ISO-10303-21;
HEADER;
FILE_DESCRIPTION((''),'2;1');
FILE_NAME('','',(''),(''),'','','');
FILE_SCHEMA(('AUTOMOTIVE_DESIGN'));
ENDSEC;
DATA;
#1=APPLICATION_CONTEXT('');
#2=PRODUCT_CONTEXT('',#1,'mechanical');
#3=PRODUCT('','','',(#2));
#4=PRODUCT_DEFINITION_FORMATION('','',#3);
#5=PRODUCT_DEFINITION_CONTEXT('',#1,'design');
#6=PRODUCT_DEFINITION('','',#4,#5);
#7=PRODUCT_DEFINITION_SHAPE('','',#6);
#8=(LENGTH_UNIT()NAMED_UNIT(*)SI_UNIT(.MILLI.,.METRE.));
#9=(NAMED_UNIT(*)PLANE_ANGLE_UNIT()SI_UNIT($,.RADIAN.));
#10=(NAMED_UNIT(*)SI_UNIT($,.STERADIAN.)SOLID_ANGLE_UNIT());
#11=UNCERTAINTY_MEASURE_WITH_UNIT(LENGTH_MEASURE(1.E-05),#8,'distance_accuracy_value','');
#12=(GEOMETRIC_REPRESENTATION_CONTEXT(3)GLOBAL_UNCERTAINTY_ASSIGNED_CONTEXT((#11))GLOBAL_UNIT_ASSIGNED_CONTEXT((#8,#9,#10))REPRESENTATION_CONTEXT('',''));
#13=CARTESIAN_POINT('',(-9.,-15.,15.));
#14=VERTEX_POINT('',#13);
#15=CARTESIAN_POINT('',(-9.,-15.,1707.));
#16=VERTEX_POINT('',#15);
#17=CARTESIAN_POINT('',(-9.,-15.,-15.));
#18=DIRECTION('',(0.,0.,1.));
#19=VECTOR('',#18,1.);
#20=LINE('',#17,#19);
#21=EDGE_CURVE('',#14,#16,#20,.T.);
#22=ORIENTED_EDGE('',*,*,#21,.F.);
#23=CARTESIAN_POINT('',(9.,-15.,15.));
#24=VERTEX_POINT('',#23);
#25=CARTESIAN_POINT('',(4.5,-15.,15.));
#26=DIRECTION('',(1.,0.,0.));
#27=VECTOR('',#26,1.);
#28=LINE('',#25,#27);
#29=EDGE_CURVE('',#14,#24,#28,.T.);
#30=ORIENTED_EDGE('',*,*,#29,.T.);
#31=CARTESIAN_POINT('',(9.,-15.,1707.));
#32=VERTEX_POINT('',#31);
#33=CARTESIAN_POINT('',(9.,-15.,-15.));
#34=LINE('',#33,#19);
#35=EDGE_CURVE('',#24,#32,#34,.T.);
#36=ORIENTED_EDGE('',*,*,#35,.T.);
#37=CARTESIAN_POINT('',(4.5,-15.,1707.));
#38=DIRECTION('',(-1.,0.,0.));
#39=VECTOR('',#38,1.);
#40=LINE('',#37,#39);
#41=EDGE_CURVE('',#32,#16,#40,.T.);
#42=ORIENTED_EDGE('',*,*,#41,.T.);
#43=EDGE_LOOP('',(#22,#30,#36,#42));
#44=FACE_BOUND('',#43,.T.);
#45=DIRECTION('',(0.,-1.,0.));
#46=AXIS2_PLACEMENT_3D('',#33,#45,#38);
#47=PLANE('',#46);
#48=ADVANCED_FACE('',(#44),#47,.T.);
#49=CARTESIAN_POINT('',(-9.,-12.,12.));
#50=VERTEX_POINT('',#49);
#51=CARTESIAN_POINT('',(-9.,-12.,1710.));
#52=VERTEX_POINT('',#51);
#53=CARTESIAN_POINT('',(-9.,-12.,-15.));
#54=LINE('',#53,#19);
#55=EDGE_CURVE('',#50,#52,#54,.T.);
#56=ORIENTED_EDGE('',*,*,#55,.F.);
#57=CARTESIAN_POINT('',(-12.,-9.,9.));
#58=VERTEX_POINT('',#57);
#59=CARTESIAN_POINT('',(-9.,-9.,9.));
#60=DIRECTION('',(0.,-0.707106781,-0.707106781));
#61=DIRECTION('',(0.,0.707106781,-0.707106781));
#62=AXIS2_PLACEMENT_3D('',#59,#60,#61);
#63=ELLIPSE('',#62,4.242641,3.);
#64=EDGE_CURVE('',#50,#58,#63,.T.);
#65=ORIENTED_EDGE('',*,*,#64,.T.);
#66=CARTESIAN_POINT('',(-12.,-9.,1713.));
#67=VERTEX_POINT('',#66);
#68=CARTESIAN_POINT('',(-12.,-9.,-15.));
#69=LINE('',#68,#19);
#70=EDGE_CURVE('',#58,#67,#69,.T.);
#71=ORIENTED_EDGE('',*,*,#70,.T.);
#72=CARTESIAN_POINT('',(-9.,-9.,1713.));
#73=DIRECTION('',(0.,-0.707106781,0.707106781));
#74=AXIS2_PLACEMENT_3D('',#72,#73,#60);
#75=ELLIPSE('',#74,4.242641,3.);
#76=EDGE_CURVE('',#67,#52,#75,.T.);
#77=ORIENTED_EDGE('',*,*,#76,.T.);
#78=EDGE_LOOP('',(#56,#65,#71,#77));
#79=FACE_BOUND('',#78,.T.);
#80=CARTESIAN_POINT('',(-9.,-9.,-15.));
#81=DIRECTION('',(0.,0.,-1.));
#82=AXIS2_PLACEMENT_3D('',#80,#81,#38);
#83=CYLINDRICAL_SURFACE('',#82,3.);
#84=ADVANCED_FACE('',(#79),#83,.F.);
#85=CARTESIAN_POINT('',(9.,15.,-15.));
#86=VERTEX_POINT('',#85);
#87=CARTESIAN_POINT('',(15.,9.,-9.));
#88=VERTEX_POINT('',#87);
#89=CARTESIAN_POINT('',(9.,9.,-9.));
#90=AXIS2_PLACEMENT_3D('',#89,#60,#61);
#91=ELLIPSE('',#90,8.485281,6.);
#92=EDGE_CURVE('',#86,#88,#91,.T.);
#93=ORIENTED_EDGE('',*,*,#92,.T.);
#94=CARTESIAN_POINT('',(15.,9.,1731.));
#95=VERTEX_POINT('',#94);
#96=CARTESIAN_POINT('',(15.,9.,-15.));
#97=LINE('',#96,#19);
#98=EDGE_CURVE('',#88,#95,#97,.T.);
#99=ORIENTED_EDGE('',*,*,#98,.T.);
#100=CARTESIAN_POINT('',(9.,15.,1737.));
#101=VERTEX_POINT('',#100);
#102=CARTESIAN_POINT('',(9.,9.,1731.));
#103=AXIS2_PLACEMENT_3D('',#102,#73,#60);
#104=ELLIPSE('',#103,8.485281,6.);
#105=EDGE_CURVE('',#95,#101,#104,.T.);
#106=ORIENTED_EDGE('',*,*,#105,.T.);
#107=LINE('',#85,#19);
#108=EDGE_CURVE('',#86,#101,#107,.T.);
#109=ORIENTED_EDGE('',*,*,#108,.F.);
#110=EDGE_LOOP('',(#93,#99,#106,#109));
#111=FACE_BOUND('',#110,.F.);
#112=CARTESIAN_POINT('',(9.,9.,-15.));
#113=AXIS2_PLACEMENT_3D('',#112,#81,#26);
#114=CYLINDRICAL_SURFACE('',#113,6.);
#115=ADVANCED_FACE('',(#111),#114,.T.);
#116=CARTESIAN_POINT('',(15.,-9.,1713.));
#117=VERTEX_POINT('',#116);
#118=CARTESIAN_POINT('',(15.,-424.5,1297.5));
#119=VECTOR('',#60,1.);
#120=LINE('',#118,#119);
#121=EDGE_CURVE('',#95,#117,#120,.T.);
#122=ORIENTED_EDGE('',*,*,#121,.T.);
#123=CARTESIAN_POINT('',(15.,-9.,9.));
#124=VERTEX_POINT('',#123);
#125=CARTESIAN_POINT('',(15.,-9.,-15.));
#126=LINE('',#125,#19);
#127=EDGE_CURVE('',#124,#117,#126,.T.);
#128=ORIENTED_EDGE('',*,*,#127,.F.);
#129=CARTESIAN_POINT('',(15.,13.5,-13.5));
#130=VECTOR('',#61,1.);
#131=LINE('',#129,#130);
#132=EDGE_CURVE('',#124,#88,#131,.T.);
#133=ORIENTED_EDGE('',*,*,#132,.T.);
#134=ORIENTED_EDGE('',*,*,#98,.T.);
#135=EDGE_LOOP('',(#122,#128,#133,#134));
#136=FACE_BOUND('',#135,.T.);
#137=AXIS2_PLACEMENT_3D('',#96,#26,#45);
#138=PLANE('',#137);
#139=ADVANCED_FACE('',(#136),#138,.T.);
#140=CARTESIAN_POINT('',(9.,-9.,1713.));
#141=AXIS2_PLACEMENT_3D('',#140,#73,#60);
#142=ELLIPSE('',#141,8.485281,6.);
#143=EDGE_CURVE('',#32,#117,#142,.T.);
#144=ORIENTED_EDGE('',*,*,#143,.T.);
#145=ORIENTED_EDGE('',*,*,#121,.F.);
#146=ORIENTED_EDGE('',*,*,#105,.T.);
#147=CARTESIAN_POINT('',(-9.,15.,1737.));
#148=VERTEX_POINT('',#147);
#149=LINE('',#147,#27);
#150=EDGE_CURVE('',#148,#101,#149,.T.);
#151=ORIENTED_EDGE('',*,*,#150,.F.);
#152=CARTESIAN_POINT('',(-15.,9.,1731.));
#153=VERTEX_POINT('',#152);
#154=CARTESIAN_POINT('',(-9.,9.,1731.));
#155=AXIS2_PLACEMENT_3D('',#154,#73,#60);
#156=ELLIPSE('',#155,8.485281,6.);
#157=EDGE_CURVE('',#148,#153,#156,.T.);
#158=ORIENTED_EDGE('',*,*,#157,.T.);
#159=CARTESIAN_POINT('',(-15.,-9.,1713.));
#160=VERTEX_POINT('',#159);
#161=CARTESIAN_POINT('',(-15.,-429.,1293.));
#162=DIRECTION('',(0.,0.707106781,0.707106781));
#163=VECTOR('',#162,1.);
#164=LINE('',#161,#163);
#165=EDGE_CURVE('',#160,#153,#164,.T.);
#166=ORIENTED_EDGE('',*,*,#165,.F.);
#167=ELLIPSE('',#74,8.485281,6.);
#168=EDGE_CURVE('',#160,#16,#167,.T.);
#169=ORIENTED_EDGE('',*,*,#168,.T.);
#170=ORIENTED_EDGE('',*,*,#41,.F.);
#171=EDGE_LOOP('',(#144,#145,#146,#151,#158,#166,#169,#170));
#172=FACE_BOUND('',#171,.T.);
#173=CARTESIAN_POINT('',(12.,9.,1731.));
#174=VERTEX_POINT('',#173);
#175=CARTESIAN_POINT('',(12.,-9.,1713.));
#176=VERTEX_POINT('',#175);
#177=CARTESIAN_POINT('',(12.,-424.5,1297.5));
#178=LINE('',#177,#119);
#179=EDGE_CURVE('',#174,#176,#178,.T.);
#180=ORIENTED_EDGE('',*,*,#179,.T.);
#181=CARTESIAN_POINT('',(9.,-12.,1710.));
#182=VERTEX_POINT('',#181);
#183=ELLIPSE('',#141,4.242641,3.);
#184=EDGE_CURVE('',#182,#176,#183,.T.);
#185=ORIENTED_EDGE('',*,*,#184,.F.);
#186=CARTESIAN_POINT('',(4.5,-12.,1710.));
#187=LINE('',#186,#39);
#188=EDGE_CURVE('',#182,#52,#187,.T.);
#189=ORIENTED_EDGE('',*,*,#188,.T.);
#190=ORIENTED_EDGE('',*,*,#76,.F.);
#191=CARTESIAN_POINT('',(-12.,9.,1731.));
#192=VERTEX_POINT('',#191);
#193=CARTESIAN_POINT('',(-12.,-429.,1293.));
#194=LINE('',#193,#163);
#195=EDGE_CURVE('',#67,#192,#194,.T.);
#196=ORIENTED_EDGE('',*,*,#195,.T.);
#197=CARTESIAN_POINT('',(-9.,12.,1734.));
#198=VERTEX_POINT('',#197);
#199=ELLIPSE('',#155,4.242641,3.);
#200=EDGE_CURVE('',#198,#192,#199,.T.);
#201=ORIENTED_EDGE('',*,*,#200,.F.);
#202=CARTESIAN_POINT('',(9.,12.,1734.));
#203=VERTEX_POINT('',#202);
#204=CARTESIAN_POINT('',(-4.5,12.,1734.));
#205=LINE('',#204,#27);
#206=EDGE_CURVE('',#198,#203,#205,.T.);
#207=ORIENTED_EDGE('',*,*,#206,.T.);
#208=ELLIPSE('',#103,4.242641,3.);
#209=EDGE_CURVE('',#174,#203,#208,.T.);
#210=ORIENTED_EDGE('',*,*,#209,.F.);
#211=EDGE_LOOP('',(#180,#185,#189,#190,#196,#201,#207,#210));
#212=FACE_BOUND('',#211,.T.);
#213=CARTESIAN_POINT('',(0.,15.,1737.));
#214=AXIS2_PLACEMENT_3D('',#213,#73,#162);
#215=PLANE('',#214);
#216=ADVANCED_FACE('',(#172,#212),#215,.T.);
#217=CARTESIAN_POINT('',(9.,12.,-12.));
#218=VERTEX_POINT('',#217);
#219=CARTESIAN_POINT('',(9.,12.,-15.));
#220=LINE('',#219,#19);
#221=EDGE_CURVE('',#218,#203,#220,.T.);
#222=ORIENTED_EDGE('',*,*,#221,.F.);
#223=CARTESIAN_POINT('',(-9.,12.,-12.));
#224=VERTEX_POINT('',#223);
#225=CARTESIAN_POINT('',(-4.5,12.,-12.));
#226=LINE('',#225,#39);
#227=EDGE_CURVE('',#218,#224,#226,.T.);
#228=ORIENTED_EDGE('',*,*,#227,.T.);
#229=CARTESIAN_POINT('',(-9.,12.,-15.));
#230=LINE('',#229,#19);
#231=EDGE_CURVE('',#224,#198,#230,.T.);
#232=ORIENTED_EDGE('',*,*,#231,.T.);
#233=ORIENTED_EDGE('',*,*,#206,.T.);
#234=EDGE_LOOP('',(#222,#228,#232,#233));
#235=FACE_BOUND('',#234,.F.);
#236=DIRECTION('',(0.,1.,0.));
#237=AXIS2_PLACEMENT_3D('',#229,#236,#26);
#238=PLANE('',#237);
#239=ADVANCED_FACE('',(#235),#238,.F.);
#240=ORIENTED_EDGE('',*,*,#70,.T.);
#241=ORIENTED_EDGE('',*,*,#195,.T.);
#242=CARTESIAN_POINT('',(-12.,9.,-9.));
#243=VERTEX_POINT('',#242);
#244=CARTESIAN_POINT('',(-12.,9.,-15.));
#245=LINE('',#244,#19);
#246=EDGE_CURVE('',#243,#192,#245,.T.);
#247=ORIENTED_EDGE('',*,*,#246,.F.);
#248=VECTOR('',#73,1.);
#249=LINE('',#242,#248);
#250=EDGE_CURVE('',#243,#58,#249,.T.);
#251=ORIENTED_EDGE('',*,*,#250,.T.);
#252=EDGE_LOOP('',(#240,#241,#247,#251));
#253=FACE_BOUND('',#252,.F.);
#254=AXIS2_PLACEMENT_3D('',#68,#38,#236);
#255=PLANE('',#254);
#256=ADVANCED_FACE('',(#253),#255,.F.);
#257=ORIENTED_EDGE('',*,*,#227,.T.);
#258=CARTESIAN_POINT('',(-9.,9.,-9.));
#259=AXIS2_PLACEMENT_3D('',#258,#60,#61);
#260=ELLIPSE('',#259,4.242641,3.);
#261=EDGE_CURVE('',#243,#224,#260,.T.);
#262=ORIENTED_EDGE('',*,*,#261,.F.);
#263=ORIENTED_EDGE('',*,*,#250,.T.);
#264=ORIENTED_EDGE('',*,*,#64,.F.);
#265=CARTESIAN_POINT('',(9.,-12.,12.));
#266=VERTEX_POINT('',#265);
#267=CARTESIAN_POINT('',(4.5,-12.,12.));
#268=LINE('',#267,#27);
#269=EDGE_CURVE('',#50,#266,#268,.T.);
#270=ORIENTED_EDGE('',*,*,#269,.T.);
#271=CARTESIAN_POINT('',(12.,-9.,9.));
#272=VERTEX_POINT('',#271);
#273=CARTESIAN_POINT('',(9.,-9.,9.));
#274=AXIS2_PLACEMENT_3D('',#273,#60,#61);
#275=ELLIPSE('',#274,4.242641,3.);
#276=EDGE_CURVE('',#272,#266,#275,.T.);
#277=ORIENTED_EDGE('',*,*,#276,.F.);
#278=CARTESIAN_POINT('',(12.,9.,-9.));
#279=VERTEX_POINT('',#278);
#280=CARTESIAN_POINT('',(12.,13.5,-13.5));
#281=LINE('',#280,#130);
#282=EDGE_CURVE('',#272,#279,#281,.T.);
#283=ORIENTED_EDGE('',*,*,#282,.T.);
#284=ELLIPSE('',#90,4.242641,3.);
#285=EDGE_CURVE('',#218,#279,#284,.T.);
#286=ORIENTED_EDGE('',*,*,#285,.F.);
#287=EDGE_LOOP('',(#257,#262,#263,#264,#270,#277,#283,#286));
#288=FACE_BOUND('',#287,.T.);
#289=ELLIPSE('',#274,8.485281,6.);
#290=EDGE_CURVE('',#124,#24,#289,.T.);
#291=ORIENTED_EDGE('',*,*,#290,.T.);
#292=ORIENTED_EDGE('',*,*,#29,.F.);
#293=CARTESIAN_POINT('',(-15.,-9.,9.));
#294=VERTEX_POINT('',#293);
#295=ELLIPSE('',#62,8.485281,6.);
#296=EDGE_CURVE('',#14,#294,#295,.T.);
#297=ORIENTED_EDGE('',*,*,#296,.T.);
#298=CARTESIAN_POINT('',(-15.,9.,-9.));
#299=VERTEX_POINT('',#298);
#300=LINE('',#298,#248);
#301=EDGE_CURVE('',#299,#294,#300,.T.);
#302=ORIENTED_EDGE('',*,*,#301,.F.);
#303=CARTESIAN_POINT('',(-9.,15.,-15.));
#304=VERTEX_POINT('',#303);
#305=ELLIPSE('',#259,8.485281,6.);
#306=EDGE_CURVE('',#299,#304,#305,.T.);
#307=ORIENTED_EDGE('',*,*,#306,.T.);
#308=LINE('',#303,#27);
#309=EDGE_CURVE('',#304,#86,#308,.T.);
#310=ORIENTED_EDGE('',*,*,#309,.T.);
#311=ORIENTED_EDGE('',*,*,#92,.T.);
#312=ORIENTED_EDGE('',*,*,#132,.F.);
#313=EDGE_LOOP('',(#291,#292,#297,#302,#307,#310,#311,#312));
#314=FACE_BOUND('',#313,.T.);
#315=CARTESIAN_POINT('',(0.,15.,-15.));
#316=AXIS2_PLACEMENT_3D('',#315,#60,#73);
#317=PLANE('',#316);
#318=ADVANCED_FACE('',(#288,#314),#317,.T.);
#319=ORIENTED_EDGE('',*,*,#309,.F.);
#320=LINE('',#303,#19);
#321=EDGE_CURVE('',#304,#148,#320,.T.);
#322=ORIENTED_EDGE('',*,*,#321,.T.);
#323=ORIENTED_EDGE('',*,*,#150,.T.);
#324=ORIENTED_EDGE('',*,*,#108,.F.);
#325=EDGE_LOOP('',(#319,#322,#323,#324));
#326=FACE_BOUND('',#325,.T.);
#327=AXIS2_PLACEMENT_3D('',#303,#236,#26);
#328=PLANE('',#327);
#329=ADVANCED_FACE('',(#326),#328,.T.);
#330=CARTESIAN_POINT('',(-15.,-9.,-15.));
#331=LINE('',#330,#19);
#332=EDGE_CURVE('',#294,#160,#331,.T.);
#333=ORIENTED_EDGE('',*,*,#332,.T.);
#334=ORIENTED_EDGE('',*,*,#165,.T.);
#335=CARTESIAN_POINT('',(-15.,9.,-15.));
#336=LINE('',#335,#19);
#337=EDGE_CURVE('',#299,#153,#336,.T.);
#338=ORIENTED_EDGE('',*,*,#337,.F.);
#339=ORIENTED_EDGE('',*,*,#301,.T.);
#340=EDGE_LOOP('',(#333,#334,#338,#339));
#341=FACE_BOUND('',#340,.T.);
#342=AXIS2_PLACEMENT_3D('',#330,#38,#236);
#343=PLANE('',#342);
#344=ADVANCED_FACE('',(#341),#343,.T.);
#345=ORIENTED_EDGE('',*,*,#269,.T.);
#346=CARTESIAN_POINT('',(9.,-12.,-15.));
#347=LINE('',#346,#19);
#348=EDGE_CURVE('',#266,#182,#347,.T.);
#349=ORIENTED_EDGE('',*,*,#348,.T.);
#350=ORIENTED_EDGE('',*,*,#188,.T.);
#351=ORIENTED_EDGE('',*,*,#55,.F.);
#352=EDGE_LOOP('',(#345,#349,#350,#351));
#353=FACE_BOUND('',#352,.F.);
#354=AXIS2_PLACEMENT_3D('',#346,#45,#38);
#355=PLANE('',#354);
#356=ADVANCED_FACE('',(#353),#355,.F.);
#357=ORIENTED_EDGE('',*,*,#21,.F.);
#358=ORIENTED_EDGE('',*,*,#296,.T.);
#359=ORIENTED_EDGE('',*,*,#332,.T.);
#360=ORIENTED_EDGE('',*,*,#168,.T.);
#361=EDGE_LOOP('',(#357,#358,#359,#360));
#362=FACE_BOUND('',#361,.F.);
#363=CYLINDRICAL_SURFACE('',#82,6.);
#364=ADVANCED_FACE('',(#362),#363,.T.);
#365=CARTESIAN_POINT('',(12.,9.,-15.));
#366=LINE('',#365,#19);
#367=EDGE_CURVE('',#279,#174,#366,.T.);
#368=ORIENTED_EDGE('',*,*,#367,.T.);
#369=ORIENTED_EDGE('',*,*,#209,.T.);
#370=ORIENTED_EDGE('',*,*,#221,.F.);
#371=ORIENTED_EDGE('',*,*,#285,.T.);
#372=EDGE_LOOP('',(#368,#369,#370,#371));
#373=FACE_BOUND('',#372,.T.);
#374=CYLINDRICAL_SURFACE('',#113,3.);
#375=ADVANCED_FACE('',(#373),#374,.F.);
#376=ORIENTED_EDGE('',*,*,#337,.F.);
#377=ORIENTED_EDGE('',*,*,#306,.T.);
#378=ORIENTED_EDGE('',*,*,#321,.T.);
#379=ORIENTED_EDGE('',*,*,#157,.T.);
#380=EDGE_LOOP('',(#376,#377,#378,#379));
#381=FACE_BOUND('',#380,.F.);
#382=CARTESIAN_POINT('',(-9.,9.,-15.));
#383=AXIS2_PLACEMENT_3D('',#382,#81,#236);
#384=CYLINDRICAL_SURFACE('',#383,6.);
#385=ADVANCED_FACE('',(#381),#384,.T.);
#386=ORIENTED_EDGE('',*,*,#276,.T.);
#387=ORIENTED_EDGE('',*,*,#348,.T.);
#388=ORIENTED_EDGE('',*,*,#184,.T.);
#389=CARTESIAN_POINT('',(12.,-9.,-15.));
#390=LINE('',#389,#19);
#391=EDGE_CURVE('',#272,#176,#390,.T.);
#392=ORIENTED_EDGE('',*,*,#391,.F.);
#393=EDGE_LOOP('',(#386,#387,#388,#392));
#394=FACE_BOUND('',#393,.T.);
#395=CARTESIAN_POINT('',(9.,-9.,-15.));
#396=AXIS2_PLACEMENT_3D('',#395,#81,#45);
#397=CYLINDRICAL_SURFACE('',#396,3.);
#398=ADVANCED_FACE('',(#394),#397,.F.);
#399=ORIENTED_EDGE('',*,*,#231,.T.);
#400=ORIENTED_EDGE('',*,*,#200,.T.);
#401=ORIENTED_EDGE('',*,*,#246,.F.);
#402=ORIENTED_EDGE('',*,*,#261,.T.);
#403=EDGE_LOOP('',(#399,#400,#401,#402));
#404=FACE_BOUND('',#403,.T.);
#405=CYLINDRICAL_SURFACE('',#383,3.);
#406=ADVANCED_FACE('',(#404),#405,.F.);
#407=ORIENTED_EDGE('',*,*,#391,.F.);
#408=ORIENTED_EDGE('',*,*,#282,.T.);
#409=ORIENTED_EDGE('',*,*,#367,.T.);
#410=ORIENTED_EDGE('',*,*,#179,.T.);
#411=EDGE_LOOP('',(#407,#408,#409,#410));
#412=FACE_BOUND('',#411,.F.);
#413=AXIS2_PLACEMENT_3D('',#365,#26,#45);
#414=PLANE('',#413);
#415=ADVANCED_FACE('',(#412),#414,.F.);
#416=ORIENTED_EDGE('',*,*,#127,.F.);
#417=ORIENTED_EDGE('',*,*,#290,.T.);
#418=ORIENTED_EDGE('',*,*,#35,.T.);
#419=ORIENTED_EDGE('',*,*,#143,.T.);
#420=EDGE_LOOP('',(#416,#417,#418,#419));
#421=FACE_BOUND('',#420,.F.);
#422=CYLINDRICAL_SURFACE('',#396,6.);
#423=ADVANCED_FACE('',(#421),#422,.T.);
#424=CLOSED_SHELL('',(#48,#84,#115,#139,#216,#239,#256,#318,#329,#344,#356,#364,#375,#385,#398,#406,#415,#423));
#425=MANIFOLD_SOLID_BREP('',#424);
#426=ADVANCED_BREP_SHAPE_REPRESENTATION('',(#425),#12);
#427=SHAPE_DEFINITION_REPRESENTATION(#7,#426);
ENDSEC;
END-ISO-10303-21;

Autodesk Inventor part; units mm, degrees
ref_plane "Start Plane" through (0, 0, -15) normal (0, 0, 1) x (1, 0, 0)
ref_plane "End Plane" through (0, 0, 1737) normal (0, 0, 1) x (1, 0, 0)
sketch "Sketch" plane through (0, 0, 0) normal (0, 0, 1) x (1, 0, 0)
  line L0 (-15, -9) -> (-15, 9)
  line L1 (-9, 15) -> (9, 15)
  line L2 (15, 9) -> (15, -9)
  line L3 (9, -15) -> (-9, -15)
  arc A0 (-15, -9) -> (-9, -15) centre (-9, -9) ccw
  arc A1 (-9, 15) -> (-15, 9) centre (-9, 9) ccw
  arc A2 (15, 9) -> (9, 15) centre (9, 9) ccw
  arc A3 (9, -15) -> (15, -9) centre (9, -9) ccw
  arc A4 (-9, 12) -> (-12, 9) centre (-9, 9) ccw
  line L4 (-9, 12) -> (9, 12)
  arc A5 (12, 9) -> (9, 12) centre (9, 9) ccw
  line L5 (12, 9) -> (12, -9)
  arc A6 (9, -12) -> (12, -9) centre (9, -9) ccw
  line L6 (9, -12) -> (-9, -12)
  arc A7 (-12, -9) -> (-9, -12) centre (-9, -9) ccw
  line L7 (-12, -9) -> (-12, 9)
  line L8 (0, 22.7397) -> (0, -22.7397) construction
  line L9 (-22.7397, 0) -> (22.7397, 0) construction
  dimension "d7" = 6
  dimension "d10" = 30
  dimension "d11" = 30
  dimension "d12" = 3
  dimension "d15" = 15
  dimension "d16" = 15
extrude "Body" add sketch "Sketch" along normal up to surface (1752 mm away) from surface at -15
sketch "Sketch3" plane through (0, 0, 0) normal (0, 0, 1) x (1, 0, 0)
  line L0 (0, 0) -> (10, 0)
ref_plane "Work Plane3" through (0, 0, 0) normal (0, -1, 0) x (1, 0, 0)
ref_plane "Work Plane4" through (0, 15, -15) normal (0, -0.7071, -0.7071) x (1, 0, 0)
split "Split1" plane through (0, 15, -15) removes the side toward (0, -0.7071, -0.7071)
ref_plane "Work Plane5" through (0, 15, 1737) normal (0, -0.7071, 0.7071) x (1, 0, 0)
split "Split2" plane through (0, 15, 1737) removes the side toward (0, -0.7071, 0.7071)
sketch "Sketch4" plane through (0, 0, 0) normal (0, -1, 0) x (1, 0, 0)
  line L0 (-2, -15) -> (12, -15) projected
  line L1 (-2, 1737) -> (12, 1737) projected
  dimension "d18" = 1752
equation "\"d7\" = G_IR"
equation "\"d10\" = G_H"
equation "\"d11\" = G_W"
equation "\"d12\" = G_T"
equation "\"d15\" = 0.5 * d10"
equation "\"d16\" = 0.5 * d11"
equation "\"d3\" = G_L"
equation "\"G_W\" = 30"
equation "\"G_H\" = 30"
equation "\"G_T\" = 3"
equation "\"G_IR\" = 6"
equation "\"G_L\" = d18"
equation "\"G_OFFSET_START\" = 15"
equation "\"G_OFFSET_END\" = 15"
equation "\"d13\" = -G_OFFSET_START"
equation "\"d14\" = G_OFFSET_END + B_L"
equation "\"B_L\" = 1722"
properties part number "DIN EN 10219-2 - 30 x 30 x 3  - 1752" material "Steel, Mild"
